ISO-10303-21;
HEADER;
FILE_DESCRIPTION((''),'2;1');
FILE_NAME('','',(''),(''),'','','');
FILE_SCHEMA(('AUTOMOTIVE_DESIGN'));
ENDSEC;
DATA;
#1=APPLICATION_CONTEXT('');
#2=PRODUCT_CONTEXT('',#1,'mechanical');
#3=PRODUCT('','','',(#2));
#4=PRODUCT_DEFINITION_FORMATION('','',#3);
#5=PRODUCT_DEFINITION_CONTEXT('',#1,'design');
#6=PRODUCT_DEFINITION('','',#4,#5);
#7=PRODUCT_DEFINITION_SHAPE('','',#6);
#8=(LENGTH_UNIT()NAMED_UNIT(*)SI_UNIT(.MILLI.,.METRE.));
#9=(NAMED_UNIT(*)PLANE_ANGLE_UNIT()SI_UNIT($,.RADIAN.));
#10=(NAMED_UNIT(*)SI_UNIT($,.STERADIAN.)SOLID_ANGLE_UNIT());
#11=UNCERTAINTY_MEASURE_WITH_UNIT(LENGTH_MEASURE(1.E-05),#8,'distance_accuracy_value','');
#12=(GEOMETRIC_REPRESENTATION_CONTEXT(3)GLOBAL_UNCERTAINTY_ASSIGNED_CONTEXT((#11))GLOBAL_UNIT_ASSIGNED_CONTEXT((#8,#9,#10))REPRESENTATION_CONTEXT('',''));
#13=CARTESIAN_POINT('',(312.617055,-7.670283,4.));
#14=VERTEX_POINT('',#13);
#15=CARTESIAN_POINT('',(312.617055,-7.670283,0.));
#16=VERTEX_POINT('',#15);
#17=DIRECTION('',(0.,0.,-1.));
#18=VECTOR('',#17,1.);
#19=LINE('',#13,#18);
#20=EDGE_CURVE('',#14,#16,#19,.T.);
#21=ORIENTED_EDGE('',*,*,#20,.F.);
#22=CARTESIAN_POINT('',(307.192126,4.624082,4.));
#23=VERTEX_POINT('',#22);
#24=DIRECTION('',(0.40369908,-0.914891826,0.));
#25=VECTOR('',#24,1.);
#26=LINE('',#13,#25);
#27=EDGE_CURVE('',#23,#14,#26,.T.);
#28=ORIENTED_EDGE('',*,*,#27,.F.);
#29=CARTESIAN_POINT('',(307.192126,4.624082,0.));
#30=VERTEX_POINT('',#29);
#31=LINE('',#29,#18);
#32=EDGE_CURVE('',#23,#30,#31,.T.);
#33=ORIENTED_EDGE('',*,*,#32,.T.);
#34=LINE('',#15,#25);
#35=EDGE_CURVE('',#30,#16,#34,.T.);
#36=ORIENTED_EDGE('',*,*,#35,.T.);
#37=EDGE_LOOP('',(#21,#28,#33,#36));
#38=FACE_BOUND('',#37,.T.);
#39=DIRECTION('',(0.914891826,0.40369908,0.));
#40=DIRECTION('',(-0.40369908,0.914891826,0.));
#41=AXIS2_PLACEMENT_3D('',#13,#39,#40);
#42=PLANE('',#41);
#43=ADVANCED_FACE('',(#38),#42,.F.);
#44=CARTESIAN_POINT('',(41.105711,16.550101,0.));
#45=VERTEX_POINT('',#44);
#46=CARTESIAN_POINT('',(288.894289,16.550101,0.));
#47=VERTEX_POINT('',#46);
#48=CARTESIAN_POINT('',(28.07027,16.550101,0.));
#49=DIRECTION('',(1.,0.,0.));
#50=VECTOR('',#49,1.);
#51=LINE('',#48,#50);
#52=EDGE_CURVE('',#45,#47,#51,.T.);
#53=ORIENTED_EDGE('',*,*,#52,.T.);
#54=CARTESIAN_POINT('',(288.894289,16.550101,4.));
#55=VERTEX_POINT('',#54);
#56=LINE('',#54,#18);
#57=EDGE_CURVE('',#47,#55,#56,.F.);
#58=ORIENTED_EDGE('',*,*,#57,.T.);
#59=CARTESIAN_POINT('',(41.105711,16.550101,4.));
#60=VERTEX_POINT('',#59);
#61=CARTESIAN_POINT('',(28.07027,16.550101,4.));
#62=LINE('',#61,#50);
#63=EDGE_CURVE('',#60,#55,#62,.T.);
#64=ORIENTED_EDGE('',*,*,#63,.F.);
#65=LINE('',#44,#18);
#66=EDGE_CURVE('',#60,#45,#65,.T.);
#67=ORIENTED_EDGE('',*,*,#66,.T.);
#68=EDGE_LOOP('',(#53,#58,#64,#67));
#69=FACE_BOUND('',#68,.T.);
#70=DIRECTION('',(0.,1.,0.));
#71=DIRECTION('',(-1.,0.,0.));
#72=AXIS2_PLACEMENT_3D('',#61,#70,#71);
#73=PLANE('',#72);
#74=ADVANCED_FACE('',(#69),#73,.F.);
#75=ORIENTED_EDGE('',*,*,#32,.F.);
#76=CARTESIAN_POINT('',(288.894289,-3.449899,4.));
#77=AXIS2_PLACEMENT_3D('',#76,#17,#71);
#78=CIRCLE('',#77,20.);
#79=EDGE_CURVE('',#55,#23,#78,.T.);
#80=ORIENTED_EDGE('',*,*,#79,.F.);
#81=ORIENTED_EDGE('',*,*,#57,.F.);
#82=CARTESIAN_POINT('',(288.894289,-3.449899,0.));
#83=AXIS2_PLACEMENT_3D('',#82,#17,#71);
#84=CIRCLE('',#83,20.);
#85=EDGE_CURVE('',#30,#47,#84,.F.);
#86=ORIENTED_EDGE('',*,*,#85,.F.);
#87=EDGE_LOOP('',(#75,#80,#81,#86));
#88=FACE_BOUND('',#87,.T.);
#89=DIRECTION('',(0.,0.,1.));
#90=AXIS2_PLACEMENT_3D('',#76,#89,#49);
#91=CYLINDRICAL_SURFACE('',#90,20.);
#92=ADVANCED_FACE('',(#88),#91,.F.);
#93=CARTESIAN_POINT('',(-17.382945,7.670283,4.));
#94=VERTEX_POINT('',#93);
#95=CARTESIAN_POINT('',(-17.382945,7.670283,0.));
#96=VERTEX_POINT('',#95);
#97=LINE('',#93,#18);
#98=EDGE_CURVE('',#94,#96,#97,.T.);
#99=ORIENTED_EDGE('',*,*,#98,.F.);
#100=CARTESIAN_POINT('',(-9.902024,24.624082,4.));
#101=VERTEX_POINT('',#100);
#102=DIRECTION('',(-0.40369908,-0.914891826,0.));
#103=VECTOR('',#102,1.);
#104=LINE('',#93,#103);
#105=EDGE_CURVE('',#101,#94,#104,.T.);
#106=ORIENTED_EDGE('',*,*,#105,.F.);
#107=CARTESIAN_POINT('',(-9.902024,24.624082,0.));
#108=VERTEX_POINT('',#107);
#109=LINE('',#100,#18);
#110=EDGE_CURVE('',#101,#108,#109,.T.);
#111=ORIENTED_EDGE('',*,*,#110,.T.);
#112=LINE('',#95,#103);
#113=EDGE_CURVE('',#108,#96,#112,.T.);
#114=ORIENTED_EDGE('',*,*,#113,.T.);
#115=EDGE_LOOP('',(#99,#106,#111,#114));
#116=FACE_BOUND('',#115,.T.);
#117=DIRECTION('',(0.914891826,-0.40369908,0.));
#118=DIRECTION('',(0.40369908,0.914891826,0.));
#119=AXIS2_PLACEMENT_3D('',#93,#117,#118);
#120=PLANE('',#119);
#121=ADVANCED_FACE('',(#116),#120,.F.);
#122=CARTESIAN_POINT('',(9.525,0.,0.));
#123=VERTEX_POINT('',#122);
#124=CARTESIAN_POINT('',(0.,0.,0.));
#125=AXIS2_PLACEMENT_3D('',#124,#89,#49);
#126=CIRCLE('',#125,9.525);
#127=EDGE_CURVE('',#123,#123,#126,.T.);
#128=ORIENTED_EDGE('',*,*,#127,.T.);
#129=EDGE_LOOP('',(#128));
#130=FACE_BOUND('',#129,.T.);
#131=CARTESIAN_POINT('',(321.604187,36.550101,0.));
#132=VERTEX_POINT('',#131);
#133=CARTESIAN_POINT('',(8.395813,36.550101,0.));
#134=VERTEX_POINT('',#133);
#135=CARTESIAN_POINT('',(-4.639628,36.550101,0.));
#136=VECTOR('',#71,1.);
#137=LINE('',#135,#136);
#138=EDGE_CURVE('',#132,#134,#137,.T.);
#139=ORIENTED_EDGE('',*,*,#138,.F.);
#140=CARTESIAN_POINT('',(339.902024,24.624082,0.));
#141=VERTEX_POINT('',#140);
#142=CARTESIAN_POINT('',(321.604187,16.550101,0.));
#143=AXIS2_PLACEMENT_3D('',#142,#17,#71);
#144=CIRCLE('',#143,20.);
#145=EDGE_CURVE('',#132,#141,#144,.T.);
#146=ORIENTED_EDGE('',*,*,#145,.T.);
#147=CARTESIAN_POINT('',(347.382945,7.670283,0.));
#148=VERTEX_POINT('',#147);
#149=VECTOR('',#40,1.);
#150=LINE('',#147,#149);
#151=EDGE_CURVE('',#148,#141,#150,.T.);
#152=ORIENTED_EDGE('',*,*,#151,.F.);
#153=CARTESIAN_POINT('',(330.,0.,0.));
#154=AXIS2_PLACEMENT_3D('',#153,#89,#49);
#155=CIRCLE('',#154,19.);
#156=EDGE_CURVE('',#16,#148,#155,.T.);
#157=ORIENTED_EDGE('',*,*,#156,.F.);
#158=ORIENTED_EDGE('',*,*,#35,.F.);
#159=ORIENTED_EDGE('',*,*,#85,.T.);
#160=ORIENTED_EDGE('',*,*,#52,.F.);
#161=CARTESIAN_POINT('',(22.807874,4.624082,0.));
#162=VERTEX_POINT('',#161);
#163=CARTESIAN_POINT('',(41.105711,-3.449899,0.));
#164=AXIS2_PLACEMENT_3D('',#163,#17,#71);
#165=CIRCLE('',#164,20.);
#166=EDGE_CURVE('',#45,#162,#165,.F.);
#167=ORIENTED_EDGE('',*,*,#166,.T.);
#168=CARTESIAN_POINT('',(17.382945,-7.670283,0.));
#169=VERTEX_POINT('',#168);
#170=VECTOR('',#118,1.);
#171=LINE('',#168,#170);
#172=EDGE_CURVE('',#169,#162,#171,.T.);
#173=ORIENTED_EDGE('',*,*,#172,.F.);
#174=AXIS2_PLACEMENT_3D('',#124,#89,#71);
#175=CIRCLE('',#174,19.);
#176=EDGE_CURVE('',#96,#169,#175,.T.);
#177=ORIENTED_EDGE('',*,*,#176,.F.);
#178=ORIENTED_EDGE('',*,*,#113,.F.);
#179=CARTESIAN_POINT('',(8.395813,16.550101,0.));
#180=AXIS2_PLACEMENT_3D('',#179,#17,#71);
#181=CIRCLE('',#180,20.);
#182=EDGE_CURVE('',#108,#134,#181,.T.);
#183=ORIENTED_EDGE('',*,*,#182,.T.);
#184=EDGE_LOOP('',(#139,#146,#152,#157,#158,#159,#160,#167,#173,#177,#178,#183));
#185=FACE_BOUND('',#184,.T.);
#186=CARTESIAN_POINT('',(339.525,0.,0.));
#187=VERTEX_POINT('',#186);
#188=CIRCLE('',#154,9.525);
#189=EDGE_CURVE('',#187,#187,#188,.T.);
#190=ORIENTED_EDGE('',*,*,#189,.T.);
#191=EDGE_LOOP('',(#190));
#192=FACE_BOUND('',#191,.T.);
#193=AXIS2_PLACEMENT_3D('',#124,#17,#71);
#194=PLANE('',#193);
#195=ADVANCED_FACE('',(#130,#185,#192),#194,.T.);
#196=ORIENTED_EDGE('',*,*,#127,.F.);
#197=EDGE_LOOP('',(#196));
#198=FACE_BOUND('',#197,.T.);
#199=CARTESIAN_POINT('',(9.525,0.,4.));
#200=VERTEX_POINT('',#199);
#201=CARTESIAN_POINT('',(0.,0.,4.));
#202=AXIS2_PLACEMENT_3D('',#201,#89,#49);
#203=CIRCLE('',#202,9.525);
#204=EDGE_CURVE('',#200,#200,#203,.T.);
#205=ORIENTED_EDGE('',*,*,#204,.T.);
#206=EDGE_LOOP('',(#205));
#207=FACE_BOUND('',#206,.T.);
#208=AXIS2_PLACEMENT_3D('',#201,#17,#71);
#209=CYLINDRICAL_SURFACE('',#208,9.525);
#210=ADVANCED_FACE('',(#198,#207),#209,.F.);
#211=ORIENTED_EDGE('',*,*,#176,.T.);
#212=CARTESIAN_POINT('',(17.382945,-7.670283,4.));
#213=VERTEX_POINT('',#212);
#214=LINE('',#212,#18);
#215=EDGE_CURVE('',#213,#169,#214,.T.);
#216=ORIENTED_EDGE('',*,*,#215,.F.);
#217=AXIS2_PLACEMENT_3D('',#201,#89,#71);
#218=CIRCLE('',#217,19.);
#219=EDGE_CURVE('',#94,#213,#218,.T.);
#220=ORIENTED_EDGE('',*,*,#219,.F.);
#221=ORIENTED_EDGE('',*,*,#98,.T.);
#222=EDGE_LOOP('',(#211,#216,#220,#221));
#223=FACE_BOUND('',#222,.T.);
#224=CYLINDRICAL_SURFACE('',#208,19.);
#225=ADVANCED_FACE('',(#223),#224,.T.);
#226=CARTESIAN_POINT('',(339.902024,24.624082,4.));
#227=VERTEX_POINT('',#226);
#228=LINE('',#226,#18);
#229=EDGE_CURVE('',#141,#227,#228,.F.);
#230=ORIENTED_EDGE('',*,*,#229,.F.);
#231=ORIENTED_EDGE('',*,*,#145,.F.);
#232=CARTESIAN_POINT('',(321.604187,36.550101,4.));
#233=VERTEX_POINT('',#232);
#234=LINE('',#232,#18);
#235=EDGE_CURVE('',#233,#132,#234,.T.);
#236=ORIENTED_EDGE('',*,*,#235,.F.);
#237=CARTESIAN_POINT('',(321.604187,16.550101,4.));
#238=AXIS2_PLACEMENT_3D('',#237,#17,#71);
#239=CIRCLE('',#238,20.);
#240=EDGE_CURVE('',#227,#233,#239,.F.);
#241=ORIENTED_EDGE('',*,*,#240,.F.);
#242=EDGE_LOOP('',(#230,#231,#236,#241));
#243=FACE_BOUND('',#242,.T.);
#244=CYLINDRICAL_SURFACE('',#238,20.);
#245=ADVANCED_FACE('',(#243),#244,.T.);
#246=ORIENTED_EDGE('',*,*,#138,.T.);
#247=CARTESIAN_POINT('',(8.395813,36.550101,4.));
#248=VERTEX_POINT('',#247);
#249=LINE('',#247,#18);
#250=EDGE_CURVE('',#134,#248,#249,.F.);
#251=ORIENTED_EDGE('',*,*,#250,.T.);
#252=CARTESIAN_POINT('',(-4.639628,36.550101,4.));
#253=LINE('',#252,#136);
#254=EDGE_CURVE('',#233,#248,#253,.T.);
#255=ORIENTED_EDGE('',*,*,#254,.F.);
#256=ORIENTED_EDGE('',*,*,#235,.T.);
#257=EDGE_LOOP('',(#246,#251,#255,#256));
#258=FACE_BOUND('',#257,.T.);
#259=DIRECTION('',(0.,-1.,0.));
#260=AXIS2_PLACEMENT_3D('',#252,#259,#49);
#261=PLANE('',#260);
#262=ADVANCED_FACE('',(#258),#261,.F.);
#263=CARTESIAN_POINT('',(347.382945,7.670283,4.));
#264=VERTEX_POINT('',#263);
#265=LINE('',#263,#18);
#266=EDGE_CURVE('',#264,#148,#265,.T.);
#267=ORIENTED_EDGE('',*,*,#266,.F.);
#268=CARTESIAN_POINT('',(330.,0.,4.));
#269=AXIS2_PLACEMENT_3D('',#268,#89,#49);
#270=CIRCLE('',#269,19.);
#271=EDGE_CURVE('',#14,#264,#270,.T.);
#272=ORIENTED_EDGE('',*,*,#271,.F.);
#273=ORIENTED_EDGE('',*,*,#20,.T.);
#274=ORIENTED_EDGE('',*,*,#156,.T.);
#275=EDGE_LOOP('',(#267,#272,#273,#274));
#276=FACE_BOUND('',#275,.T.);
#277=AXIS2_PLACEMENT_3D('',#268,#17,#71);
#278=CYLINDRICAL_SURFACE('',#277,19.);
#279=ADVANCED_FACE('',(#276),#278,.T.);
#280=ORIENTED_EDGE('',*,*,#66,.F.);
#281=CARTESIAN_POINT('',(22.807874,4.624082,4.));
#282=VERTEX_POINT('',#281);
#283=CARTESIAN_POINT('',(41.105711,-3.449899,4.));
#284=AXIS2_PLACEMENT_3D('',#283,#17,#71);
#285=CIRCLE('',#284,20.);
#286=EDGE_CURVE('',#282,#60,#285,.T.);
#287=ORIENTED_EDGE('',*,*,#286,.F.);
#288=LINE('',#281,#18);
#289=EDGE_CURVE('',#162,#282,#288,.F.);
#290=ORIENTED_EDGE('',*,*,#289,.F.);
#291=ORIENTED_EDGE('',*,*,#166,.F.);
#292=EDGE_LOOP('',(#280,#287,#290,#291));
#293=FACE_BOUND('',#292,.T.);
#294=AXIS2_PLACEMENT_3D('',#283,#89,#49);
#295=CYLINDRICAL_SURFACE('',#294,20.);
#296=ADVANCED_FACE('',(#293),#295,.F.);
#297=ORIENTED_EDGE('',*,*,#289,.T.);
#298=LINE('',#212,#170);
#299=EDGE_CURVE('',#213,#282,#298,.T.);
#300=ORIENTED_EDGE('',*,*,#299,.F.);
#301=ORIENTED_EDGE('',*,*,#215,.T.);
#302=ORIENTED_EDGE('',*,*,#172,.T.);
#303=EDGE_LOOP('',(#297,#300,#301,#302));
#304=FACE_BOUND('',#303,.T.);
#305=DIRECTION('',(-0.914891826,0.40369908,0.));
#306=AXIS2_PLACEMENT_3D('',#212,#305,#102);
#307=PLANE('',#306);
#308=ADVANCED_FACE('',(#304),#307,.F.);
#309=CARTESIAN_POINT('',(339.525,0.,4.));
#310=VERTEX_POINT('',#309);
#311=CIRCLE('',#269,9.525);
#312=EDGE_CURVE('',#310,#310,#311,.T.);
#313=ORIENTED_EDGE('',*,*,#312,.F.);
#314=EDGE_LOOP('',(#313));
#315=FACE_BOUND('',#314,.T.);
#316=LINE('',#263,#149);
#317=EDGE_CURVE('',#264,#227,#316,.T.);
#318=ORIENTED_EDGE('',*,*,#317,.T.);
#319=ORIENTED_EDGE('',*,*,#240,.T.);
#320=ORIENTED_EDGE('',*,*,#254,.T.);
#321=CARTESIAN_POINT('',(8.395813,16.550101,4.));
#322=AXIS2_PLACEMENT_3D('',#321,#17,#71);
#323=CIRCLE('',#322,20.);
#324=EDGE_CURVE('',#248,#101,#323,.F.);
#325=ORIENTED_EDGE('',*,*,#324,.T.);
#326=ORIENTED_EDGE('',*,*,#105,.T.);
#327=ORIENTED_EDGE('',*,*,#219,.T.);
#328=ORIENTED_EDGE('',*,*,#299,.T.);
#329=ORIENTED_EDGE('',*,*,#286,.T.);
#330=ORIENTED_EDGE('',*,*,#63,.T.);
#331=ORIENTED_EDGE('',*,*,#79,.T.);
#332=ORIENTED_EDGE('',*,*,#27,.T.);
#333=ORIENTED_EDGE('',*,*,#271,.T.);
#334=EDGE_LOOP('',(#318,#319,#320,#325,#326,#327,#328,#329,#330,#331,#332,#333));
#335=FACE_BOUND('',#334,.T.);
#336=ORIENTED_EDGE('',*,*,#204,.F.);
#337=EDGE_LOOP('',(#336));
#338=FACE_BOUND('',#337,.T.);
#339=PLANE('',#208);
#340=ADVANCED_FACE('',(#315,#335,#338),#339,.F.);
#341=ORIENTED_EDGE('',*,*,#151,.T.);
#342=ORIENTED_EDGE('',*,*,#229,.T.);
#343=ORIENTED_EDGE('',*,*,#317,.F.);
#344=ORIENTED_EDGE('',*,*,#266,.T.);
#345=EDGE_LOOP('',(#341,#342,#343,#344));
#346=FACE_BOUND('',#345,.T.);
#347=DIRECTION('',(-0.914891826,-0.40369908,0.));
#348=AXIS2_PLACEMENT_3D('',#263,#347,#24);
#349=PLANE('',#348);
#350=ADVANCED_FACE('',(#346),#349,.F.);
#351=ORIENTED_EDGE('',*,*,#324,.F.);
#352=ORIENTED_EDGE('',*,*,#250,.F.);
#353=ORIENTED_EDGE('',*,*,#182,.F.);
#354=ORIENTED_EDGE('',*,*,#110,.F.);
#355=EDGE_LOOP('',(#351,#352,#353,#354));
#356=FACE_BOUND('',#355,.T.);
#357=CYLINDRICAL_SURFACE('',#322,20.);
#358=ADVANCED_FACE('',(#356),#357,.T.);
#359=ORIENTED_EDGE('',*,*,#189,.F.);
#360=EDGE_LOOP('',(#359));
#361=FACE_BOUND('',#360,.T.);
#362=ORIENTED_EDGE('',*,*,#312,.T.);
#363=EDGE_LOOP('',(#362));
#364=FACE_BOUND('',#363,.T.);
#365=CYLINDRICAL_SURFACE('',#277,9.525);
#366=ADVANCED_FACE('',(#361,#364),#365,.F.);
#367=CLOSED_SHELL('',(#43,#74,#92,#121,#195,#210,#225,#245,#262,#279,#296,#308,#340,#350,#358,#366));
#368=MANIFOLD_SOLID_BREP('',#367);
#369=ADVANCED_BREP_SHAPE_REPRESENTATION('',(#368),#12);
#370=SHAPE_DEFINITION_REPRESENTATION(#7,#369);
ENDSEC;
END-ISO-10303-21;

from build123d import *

# Parameters (mm, degrees)
SKETCH_1_R      = 9.525
EXTRUDE_1_DEPTH = 4
FILLET_1_R      = 20


with BuildPart() as part:
    # 草图1 → 凸台-拉伸1 (new body)
    with BuildSketch(Plane.XY):
        with BuildLine():
            Line((-4.63962822, 36.550100793), (334.63962822, 36.550100793))
            Line((334.63962822, 36.550100793), (347.382944688, 7.670282522))
            ThreePointArc((347.382944688, 7.670282522), (337.670282522, -17.382944688), (312.617055312, -7.670282522))
            Line((312.617055312, -7.670282522), (301.929730112, 16.550100793))
            Line((301.929730112, 16.550100793), (28.070269888, 16.550100793))
            Line((28.070269888, 16.550100793), (17.382944688, -7.670282522))
            ThreePointArc((17.382944688, -7.670282522), (-7.670282522, -17.382944688), (-17.382944688, 7.670282522))
            Line((-17.382944688, 7.670282522), (-4.63962822, 36.550100793))
        make_face()
        Circle(SKETCH_1_R, mode=Mode.SUBTRACT)
        with Locations((330, 0)):
            Circle(SKETCH_1_R, mode=Mode.SUBTRACT)
    extrude(amount=EXTRUDE_1_DEPTH)

    # 圆角1
    fillet_1_edges = [part.edges().sort_by_distance(p)[0] for p in [
        (-4.63962822, 36.550100793, 2),
        (334.63962822, 36.550100793, 2),
        (301.929730112, 16.550100793, 2),
        (28.070269888, 16.550100793, 2),
    ]]
    fillet(fillet_1_edges, radius=FILLET_1_R)


solid = part.part
